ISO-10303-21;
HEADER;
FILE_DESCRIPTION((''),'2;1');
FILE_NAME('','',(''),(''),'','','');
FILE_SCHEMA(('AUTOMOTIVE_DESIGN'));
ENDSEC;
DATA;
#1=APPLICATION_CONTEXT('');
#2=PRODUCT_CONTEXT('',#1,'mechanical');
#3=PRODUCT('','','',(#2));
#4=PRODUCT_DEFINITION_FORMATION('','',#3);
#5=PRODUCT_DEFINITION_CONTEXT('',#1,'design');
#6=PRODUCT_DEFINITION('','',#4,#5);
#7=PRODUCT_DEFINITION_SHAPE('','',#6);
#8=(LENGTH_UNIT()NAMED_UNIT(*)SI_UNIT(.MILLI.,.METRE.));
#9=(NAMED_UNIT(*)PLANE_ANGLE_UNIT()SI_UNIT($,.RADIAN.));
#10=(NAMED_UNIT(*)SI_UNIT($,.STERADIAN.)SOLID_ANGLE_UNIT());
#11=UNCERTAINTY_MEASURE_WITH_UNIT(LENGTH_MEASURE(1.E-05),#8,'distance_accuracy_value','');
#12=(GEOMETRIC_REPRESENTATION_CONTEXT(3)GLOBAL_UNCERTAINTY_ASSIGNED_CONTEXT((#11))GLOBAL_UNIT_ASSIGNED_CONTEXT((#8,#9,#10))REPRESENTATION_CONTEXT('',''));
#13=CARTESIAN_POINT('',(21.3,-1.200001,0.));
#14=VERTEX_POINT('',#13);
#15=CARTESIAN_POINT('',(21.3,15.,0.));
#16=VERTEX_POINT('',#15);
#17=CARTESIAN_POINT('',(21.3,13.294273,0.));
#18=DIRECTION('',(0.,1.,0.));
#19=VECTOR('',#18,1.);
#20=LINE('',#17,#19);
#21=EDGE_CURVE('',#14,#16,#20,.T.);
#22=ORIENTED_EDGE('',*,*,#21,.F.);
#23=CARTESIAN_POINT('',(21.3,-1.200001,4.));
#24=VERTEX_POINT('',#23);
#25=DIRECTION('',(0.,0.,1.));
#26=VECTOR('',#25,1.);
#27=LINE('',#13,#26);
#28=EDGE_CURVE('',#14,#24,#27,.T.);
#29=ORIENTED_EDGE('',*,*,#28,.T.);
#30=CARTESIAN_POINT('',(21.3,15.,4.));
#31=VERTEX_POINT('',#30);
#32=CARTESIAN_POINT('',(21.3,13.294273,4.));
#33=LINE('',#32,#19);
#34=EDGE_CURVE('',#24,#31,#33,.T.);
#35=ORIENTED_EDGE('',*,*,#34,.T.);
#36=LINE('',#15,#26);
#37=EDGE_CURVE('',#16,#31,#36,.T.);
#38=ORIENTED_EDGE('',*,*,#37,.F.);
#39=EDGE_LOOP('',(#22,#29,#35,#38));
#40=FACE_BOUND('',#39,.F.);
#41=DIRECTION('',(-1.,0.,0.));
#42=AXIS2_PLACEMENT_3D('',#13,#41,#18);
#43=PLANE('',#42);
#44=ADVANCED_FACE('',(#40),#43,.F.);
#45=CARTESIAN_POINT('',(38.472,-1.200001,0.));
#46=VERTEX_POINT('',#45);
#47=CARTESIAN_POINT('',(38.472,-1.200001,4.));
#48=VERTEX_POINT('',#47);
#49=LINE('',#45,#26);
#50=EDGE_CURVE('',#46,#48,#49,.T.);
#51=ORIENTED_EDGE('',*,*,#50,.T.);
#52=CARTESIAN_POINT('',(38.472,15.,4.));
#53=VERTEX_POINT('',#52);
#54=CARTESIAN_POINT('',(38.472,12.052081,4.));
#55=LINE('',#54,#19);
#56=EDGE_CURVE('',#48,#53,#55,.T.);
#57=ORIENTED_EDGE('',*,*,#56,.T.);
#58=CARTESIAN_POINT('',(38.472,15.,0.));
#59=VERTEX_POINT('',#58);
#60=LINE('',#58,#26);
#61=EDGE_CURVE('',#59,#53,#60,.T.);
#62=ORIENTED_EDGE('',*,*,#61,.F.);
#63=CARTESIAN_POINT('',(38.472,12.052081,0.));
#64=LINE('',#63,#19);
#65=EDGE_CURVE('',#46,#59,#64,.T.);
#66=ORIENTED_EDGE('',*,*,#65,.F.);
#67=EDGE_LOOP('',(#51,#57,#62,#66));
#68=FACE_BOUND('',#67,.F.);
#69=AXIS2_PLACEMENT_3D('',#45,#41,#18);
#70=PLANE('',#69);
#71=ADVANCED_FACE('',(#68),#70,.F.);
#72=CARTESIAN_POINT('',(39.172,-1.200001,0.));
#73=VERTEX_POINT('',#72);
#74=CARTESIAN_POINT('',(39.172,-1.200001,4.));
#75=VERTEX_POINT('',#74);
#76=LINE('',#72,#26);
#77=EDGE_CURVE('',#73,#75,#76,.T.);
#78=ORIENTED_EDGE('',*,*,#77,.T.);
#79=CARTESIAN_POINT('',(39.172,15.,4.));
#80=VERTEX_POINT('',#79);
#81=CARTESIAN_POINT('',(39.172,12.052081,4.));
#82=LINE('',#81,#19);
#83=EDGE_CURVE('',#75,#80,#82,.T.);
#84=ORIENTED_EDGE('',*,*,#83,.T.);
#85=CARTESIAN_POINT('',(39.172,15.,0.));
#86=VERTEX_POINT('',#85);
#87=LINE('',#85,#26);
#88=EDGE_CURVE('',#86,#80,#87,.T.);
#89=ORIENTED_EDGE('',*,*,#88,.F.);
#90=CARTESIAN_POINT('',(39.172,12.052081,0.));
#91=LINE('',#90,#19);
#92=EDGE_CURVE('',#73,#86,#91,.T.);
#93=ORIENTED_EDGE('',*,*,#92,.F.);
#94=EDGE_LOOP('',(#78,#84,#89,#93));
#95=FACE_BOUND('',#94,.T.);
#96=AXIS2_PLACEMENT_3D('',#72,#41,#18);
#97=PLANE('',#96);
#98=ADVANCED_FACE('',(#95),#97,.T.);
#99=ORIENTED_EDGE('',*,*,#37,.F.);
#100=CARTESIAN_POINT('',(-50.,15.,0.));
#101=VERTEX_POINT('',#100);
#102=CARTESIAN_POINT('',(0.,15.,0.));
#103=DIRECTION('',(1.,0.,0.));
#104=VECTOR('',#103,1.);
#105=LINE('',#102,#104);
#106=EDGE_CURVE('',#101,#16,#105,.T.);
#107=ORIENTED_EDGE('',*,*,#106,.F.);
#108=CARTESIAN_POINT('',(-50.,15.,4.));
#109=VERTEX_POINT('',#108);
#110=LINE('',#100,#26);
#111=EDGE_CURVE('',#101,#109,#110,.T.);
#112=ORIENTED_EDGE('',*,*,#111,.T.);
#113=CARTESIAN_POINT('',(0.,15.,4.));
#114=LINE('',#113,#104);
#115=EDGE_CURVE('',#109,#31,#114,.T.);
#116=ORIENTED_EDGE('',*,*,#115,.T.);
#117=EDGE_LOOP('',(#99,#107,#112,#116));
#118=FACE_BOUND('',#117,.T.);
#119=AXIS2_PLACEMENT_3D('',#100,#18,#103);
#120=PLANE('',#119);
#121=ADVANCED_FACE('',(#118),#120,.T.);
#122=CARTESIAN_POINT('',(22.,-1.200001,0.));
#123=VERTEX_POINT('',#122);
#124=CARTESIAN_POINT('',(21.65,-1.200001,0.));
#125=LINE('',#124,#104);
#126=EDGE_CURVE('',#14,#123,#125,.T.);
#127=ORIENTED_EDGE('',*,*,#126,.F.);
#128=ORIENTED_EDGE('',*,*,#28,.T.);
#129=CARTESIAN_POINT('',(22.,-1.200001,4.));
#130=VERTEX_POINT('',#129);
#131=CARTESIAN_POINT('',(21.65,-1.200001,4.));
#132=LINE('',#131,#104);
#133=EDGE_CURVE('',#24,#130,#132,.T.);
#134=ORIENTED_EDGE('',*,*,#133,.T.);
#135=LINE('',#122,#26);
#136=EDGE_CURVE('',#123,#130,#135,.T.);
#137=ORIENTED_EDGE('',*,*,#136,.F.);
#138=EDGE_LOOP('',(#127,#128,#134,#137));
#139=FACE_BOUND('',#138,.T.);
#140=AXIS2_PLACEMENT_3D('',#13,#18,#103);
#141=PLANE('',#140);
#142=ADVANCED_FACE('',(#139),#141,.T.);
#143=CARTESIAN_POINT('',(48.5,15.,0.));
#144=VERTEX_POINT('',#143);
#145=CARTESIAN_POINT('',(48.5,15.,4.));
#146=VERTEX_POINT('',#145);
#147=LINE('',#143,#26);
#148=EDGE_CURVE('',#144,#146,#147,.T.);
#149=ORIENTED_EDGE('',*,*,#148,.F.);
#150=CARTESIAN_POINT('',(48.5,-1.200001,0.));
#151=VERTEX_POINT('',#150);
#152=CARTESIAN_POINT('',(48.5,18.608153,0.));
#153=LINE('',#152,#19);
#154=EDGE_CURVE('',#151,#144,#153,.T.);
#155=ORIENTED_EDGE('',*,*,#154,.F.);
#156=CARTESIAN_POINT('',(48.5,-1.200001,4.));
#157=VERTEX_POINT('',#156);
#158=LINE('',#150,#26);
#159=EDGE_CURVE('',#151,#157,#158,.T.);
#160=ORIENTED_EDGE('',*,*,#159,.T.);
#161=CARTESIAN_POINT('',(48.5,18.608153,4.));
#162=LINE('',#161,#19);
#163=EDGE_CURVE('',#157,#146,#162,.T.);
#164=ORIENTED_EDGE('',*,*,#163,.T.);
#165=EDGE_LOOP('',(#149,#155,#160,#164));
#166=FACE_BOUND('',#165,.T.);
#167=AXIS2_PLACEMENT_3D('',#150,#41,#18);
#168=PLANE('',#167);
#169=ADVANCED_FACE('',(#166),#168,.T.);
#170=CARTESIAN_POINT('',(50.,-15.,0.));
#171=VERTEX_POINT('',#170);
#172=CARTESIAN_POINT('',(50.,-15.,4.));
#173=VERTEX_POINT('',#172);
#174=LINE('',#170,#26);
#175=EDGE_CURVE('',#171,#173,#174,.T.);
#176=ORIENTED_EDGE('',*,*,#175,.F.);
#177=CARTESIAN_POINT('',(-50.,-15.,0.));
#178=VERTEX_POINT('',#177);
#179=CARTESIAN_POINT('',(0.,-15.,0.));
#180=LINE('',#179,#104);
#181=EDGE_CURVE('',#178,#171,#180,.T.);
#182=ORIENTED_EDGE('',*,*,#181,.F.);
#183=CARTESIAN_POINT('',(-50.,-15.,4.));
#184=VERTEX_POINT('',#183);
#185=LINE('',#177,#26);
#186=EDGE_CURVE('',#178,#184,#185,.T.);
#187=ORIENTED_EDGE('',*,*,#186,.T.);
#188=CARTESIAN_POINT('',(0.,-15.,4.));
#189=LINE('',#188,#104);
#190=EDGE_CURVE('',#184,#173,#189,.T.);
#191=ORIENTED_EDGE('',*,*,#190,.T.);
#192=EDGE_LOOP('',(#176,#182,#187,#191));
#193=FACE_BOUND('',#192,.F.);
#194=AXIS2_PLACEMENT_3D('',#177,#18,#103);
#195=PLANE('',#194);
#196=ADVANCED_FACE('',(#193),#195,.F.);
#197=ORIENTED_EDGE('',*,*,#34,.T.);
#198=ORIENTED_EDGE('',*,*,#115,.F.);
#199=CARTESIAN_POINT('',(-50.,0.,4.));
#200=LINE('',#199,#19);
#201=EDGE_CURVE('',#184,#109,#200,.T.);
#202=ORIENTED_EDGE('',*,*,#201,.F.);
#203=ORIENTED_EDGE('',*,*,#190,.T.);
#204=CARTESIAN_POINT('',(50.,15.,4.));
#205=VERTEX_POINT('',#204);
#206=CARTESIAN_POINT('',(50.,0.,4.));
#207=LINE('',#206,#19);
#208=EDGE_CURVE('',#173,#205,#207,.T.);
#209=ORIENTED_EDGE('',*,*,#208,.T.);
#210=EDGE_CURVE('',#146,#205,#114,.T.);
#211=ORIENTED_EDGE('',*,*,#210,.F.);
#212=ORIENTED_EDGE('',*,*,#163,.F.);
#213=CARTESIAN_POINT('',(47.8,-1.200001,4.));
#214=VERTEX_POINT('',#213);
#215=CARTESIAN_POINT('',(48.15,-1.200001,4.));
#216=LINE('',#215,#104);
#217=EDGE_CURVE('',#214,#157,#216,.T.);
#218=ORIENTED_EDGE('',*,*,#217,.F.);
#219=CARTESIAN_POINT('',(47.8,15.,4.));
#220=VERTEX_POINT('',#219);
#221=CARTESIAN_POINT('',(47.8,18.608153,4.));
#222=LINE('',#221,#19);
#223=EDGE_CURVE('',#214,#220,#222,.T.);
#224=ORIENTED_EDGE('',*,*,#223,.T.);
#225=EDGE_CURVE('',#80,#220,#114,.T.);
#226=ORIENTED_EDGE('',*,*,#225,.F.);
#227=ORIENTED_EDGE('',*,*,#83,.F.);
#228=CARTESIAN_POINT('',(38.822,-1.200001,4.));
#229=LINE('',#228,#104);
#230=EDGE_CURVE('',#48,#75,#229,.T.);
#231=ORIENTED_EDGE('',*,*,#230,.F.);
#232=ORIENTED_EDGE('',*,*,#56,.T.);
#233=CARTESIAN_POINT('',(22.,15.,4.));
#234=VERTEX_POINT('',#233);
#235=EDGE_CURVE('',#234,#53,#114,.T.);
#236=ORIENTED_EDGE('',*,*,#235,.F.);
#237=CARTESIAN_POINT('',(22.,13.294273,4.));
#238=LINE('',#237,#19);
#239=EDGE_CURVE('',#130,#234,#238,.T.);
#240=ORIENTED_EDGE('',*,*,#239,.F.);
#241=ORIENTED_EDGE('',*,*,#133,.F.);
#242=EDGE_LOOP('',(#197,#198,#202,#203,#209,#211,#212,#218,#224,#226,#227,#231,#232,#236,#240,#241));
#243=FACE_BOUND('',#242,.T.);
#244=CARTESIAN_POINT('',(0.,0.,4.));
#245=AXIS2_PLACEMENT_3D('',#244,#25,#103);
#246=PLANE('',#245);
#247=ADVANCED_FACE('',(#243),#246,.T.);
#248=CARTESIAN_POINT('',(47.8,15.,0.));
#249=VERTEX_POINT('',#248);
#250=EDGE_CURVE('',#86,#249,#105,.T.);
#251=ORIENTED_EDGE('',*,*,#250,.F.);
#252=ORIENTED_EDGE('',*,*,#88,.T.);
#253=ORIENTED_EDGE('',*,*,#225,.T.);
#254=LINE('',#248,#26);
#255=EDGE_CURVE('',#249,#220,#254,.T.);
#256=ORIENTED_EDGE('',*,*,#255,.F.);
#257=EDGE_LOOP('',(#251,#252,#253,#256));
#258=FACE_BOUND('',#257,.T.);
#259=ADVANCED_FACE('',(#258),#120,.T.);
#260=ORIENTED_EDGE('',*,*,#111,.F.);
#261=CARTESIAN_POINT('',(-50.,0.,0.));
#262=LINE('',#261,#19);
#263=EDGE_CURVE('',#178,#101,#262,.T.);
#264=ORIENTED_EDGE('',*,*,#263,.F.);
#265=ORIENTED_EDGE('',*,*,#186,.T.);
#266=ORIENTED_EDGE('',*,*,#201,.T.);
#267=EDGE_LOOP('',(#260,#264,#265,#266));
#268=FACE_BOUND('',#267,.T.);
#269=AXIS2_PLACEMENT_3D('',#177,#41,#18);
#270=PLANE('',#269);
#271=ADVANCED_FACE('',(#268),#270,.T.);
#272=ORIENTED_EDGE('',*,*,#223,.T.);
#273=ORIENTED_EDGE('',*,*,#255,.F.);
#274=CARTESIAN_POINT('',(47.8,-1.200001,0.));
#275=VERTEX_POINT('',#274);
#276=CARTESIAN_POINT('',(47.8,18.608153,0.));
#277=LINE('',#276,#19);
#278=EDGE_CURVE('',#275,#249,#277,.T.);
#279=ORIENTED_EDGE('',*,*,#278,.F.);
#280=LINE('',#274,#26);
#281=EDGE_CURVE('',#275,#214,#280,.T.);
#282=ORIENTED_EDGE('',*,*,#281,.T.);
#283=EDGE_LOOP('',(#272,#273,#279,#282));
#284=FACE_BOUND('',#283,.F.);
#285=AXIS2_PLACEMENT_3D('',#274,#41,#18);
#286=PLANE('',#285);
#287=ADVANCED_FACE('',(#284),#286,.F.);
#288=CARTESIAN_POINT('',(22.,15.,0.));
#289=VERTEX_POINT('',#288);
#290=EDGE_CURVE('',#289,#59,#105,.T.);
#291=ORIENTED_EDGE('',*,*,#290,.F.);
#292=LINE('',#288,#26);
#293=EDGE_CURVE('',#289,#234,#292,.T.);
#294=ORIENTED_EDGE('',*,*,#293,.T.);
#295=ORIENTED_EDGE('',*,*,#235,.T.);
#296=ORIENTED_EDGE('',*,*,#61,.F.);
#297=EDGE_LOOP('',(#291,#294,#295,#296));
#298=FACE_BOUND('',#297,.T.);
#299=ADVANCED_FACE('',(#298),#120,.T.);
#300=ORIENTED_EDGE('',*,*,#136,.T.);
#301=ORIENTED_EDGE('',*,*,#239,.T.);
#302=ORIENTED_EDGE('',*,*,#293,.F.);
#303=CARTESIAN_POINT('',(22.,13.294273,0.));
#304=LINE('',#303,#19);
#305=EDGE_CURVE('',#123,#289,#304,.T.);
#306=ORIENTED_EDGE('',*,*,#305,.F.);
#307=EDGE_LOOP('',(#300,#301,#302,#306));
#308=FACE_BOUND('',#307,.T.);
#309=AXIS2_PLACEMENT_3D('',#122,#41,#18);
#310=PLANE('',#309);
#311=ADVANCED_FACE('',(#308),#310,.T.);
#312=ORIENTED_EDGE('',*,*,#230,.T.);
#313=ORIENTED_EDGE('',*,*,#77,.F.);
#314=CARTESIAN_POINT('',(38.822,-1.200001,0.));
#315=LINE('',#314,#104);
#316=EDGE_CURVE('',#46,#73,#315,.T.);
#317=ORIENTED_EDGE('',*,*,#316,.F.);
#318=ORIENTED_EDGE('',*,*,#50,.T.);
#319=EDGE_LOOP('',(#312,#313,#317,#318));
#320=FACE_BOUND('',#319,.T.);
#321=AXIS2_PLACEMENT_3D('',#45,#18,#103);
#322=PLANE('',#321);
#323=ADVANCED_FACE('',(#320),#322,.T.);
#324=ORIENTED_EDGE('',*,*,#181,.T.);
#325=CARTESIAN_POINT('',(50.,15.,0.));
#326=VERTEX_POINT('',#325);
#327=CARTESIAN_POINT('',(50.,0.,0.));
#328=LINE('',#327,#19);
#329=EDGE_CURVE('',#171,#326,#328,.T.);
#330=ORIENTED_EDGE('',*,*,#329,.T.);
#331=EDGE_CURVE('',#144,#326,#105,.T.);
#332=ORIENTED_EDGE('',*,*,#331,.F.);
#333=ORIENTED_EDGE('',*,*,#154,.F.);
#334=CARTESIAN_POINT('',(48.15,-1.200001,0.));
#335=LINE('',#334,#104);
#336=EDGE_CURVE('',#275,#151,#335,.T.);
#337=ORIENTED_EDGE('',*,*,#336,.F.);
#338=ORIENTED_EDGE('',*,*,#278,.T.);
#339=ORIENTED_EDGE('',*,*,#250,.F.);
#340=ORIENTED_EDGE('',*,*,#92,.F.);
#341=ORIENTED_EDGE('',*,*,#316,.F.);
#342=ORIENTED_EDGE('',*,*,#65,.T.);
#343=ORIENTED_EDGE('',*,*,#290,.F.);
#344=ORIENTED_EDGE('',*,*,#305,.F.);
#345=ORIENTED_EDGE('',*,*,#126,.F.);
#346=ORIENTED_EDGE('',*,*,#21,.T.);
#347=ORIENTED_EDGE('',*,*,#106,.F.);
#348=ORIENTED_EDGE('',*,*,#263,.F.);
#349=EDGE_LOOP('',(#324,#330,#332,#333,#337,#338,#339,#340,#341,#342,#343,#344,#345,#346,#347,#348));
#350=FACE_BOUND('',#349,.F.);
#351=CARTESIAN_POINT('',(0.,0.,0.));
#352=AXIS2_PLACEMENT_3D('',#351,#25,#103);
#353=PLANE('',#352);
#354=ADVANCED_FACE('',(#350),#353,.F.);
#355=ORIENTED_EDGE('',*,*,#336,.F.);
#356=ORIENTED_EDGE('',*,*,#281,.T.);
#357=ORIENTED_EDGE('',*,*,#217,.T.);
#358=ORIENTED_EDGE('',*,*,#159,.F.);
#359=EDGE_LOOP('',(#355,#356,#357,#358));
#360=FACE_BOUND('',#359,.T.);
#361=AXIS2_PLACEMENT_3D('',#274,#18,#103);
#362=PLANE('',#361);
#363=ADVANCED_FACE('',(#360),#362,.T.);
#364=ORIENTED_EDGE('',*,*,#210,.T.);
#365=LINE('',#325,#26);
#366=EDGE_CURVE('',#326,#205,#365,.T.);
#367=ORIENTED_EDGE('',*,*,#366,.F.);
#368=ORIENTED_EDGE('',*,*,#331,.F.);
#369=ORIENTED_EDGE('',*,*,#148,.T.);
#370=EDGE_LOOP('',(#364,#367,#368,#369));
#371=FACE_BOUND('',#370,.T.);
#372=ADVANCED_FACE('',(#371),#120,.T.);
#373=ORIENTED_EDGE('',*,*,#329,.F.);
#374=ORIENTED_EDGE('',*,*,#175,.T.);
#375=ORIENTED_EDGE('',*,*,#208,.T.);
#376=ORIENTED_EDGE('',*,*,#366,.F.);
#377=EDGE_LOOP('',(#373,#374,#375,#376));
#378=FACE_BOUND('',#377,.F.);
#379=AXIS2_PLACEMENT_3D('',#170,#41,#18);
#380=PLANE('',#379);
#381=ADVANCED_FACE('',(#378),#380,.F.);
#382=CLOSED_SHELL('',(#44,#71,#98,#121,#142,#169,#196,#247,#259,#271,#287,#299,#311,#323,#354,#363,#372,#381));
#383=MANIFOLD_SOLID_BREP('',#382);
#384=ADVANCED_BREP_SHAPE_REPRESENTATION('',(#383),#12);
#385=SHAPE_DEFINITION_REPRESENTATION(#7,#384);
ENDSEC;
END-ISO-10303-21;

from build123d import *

# Parameters (mm, degrees)
F0_W     = 100
F0_H     = 30
F2_DEPTH = 4
F1_W     = 0.7
F1_H     = 28.988547
F1_H_2   = 39.616307
F1_H_3   = 26.504163
F3_DEPTH = 4


with BuildPart() as f2:
    # F0 (on Top) → F2 (new body)
    with BuildSketch(Plane.XY):
        Rectangle(F0_W, F0_H)
    extrude(amount=F2_DEPTH)

    # F1 (on Top) → F3 (cut)
    with BuildSketch(Plane.XY):
        with Locations((21.65, 13.294273)):
            Rectangle(F1_W, F1_H)
        with Locations((48.15, 18.608153)):
            Rectangle(F1_W, F1_H_2)
        with Locations((38.822, 12.052081)):
            Rectangle(F1_W, F1_H_3)
    extrude(amount=F3_DEPTH, mode=Mode.SUBTRACT)


solid = f2.part
